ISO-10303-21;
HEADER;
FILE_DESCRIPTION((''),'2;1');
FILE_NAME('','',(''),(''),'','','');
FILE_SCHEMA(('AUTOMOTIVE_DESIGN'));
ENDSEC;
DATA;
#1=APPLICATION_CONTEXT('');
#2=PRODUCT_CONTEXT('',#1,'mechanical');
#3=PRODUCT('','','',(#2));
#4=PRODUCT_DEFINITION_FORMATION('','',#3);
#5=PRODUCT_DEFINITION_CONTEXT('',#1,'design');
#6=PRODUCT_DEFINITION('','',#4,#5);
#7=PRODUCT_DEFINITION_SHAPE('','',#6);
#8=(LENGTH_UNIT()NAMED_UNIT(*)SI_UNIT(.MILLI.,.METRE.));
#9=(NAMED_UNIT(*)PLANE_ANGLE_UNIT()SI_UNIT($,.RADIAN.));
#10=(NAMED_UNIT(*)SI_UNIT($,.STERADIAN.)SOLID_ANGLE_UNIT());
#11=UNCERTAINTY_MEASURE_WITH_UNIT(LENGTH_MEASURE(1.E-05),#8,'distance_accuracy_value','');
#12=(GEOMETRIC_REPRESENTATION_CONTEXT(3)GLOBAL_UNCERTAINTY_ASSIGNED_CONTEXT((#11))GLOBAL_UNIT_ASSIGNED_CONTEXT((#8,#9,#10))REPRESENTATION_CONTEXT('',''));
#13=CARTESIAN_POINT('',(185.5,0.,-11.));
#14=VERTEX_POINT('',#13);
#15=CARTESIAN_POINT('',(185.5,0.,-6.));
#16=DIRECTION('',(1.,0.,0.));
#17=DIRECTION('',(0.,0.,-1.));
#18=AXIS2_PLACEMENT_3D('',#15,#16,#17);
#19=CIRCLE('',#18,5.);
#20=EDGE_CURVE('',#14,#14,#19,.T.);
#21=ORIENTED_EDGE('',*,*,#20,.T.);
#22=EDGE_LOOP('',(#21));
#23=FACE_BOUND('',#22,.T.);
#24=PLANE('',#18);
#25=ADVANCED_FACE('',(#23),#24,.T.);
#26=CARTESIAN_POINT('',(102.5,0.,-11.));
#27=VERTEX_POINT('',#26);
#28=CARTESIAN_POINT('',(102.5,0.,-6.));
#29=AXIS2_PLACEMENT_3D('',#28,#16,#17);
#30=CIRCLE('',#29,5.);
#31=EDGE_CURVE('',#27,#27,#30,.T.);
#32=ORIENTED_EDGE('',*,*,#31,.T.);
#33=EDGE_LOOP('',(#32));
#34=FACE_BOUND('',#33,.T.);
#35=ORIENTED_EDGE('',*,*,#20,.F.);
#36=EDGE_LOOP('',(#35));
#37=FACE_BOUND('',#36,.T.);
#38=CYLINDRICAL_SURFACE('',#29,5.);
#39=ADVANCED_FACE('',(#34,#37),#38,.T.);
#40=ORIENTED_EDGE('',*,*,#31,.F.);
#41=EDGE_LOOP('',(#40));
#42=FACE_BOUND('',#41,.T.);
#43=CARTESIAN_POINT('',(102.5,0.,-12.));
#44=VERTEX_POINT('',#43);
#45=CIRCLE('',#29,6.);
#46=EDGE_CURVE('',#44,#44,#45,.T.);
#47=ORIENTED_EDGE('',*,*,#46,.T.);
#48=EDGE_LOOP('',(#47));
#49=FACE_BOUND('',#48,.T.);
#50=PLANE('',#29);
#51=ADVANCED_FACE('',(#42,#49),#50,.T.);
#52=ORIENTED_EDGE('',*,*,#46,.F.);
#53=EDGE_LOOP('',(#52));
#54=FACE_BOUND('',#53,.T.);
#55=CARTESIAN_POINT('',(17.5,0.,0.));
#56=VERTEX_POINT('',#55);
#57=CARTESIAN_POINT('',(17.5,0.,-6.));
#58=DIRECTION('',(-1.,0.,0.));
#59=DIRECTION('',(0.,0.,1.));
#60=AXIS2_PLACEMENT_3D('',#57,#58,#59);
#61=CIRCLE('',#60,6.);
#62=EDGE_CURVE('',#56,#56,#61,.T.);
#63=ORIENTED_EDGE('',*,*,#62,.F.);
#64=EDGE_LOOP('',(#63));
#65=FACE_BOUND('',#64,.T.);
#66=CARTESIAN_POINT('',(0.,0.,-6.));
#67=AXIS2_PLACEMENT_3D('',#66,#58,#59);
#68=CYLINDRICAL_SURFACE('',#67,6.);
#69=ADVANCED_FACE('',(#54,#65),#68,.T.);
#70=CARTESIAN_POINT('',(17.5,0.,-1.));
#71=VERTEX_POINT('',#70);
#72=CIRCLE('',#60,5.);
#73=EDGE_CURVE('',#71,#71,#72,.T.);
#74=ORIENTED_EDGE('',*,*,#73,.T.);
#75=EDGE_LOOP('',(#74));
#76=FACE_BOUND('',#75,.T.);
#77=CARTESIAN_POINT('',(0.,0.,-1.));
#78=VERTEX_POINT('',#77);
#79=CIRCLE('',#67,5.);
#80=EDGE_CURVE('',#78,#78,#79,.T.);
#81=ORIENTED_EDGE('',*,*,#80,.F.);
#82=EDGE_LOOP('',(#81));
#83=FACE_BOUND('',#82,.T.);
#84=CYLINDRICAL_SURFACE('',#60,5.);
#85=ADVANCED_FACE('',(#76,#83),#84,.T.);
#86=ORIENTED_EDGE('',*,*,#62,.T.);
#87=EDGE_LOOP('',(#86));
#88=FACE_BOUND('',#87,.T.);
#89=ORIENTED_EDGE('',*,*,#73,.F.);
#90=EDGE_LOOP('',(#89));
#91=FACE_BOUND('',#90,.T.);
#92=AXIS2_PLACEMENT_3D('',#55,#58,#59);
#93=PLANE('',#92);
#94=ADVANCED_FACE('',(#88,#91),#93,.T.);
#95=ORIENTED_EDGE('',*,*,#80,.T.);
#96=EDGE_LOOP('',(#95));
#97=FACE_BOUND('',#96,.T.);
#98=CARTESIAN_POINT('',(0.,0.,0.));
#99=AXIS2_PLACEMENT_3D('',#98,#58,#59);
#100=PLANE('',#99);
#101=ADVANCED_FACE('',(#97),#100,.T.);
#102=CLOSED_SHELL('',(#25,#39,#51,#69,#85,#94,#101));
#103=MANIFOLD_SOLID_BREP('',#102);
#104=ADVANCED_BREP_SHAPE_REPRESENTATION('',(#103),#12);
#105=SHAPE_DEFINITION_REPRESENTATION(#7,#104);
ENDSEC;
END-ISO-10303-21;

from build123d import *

# Parameters (mm, degrees)
ESQUISSE2_W             = 185.5
ESQUISSE2_H             = 6
ESQUISSE3_R             = 6
ESQUISSE3_R_2           = 5
ENL_V_MAT_EXTRU_1_DEPTH = 83
ENL_V_START             = -17.5
ENL_V_MAT_EXTRU_2_DEPTH = 17.5


with BuildPart() as part:
    # Esquisse2 → Révolution2 (revolve)
    with BuildSketch(Plane(origin=(0, 0, 0), x_dir=(1, 0, 0), z_dir=(0, 1, 0))):
        with Locations((92.75, 3)):
            Rectangle(ESQUISSE2_W, ESQUISSE2_H)
    revolve(axis=Axis((0, 0, -6), (1, 0, 0)))

    # Esquisse3 → Enlèv. mat.-Extru.1 (cut)
    with BuildSketch(Plane(origin=(185.5, 0, 0), x_dir=(0, 0, -1), z_dir=(1, 0, 0))):
        with Locations(Location((6, 0, 0), (0, 0, 180))):
            Circle(ESQUISSE3_R)
        with Locations((6, 0)):
            Circle(ESQUISSE3_R_2, mode=Mode.SUBTRACT)
    extrude(amount=-ENL_V_MAT_EXTRU_1_DEPTH, mode=Mode.SUBTRACT)

    # Esquisse5 → Enlèv. mat.-Extru.2 (cut)
    with BuildSketch(Plane.ZY.offset(ENL_V_START)):
        with BuildLine():
            ThreePointArc((-11, 0), (-6, 5), (-1, 0))
            Line((-1, 0), (0, 0))
            ThreePointArc((0, 0), (-6, 6), (-12, 0))
            Line((-12, 0), (-11, 0))
        make_face()
        with BuildLine():
            Line((0, 0), (-1, 0))
            ThreePointArc((-1, 0), (-6, -5), (-11, 0))
            Line((-11, 0), (-12, 0))
            ThreePointArc((-12, 0), (-6, -6), (0, 0))
        make_face()
    extrude(amount=ENL_V_MAT_EXTRU_2_DEPTH, mode=Mode.SUBTRACT)


solid = part.part
